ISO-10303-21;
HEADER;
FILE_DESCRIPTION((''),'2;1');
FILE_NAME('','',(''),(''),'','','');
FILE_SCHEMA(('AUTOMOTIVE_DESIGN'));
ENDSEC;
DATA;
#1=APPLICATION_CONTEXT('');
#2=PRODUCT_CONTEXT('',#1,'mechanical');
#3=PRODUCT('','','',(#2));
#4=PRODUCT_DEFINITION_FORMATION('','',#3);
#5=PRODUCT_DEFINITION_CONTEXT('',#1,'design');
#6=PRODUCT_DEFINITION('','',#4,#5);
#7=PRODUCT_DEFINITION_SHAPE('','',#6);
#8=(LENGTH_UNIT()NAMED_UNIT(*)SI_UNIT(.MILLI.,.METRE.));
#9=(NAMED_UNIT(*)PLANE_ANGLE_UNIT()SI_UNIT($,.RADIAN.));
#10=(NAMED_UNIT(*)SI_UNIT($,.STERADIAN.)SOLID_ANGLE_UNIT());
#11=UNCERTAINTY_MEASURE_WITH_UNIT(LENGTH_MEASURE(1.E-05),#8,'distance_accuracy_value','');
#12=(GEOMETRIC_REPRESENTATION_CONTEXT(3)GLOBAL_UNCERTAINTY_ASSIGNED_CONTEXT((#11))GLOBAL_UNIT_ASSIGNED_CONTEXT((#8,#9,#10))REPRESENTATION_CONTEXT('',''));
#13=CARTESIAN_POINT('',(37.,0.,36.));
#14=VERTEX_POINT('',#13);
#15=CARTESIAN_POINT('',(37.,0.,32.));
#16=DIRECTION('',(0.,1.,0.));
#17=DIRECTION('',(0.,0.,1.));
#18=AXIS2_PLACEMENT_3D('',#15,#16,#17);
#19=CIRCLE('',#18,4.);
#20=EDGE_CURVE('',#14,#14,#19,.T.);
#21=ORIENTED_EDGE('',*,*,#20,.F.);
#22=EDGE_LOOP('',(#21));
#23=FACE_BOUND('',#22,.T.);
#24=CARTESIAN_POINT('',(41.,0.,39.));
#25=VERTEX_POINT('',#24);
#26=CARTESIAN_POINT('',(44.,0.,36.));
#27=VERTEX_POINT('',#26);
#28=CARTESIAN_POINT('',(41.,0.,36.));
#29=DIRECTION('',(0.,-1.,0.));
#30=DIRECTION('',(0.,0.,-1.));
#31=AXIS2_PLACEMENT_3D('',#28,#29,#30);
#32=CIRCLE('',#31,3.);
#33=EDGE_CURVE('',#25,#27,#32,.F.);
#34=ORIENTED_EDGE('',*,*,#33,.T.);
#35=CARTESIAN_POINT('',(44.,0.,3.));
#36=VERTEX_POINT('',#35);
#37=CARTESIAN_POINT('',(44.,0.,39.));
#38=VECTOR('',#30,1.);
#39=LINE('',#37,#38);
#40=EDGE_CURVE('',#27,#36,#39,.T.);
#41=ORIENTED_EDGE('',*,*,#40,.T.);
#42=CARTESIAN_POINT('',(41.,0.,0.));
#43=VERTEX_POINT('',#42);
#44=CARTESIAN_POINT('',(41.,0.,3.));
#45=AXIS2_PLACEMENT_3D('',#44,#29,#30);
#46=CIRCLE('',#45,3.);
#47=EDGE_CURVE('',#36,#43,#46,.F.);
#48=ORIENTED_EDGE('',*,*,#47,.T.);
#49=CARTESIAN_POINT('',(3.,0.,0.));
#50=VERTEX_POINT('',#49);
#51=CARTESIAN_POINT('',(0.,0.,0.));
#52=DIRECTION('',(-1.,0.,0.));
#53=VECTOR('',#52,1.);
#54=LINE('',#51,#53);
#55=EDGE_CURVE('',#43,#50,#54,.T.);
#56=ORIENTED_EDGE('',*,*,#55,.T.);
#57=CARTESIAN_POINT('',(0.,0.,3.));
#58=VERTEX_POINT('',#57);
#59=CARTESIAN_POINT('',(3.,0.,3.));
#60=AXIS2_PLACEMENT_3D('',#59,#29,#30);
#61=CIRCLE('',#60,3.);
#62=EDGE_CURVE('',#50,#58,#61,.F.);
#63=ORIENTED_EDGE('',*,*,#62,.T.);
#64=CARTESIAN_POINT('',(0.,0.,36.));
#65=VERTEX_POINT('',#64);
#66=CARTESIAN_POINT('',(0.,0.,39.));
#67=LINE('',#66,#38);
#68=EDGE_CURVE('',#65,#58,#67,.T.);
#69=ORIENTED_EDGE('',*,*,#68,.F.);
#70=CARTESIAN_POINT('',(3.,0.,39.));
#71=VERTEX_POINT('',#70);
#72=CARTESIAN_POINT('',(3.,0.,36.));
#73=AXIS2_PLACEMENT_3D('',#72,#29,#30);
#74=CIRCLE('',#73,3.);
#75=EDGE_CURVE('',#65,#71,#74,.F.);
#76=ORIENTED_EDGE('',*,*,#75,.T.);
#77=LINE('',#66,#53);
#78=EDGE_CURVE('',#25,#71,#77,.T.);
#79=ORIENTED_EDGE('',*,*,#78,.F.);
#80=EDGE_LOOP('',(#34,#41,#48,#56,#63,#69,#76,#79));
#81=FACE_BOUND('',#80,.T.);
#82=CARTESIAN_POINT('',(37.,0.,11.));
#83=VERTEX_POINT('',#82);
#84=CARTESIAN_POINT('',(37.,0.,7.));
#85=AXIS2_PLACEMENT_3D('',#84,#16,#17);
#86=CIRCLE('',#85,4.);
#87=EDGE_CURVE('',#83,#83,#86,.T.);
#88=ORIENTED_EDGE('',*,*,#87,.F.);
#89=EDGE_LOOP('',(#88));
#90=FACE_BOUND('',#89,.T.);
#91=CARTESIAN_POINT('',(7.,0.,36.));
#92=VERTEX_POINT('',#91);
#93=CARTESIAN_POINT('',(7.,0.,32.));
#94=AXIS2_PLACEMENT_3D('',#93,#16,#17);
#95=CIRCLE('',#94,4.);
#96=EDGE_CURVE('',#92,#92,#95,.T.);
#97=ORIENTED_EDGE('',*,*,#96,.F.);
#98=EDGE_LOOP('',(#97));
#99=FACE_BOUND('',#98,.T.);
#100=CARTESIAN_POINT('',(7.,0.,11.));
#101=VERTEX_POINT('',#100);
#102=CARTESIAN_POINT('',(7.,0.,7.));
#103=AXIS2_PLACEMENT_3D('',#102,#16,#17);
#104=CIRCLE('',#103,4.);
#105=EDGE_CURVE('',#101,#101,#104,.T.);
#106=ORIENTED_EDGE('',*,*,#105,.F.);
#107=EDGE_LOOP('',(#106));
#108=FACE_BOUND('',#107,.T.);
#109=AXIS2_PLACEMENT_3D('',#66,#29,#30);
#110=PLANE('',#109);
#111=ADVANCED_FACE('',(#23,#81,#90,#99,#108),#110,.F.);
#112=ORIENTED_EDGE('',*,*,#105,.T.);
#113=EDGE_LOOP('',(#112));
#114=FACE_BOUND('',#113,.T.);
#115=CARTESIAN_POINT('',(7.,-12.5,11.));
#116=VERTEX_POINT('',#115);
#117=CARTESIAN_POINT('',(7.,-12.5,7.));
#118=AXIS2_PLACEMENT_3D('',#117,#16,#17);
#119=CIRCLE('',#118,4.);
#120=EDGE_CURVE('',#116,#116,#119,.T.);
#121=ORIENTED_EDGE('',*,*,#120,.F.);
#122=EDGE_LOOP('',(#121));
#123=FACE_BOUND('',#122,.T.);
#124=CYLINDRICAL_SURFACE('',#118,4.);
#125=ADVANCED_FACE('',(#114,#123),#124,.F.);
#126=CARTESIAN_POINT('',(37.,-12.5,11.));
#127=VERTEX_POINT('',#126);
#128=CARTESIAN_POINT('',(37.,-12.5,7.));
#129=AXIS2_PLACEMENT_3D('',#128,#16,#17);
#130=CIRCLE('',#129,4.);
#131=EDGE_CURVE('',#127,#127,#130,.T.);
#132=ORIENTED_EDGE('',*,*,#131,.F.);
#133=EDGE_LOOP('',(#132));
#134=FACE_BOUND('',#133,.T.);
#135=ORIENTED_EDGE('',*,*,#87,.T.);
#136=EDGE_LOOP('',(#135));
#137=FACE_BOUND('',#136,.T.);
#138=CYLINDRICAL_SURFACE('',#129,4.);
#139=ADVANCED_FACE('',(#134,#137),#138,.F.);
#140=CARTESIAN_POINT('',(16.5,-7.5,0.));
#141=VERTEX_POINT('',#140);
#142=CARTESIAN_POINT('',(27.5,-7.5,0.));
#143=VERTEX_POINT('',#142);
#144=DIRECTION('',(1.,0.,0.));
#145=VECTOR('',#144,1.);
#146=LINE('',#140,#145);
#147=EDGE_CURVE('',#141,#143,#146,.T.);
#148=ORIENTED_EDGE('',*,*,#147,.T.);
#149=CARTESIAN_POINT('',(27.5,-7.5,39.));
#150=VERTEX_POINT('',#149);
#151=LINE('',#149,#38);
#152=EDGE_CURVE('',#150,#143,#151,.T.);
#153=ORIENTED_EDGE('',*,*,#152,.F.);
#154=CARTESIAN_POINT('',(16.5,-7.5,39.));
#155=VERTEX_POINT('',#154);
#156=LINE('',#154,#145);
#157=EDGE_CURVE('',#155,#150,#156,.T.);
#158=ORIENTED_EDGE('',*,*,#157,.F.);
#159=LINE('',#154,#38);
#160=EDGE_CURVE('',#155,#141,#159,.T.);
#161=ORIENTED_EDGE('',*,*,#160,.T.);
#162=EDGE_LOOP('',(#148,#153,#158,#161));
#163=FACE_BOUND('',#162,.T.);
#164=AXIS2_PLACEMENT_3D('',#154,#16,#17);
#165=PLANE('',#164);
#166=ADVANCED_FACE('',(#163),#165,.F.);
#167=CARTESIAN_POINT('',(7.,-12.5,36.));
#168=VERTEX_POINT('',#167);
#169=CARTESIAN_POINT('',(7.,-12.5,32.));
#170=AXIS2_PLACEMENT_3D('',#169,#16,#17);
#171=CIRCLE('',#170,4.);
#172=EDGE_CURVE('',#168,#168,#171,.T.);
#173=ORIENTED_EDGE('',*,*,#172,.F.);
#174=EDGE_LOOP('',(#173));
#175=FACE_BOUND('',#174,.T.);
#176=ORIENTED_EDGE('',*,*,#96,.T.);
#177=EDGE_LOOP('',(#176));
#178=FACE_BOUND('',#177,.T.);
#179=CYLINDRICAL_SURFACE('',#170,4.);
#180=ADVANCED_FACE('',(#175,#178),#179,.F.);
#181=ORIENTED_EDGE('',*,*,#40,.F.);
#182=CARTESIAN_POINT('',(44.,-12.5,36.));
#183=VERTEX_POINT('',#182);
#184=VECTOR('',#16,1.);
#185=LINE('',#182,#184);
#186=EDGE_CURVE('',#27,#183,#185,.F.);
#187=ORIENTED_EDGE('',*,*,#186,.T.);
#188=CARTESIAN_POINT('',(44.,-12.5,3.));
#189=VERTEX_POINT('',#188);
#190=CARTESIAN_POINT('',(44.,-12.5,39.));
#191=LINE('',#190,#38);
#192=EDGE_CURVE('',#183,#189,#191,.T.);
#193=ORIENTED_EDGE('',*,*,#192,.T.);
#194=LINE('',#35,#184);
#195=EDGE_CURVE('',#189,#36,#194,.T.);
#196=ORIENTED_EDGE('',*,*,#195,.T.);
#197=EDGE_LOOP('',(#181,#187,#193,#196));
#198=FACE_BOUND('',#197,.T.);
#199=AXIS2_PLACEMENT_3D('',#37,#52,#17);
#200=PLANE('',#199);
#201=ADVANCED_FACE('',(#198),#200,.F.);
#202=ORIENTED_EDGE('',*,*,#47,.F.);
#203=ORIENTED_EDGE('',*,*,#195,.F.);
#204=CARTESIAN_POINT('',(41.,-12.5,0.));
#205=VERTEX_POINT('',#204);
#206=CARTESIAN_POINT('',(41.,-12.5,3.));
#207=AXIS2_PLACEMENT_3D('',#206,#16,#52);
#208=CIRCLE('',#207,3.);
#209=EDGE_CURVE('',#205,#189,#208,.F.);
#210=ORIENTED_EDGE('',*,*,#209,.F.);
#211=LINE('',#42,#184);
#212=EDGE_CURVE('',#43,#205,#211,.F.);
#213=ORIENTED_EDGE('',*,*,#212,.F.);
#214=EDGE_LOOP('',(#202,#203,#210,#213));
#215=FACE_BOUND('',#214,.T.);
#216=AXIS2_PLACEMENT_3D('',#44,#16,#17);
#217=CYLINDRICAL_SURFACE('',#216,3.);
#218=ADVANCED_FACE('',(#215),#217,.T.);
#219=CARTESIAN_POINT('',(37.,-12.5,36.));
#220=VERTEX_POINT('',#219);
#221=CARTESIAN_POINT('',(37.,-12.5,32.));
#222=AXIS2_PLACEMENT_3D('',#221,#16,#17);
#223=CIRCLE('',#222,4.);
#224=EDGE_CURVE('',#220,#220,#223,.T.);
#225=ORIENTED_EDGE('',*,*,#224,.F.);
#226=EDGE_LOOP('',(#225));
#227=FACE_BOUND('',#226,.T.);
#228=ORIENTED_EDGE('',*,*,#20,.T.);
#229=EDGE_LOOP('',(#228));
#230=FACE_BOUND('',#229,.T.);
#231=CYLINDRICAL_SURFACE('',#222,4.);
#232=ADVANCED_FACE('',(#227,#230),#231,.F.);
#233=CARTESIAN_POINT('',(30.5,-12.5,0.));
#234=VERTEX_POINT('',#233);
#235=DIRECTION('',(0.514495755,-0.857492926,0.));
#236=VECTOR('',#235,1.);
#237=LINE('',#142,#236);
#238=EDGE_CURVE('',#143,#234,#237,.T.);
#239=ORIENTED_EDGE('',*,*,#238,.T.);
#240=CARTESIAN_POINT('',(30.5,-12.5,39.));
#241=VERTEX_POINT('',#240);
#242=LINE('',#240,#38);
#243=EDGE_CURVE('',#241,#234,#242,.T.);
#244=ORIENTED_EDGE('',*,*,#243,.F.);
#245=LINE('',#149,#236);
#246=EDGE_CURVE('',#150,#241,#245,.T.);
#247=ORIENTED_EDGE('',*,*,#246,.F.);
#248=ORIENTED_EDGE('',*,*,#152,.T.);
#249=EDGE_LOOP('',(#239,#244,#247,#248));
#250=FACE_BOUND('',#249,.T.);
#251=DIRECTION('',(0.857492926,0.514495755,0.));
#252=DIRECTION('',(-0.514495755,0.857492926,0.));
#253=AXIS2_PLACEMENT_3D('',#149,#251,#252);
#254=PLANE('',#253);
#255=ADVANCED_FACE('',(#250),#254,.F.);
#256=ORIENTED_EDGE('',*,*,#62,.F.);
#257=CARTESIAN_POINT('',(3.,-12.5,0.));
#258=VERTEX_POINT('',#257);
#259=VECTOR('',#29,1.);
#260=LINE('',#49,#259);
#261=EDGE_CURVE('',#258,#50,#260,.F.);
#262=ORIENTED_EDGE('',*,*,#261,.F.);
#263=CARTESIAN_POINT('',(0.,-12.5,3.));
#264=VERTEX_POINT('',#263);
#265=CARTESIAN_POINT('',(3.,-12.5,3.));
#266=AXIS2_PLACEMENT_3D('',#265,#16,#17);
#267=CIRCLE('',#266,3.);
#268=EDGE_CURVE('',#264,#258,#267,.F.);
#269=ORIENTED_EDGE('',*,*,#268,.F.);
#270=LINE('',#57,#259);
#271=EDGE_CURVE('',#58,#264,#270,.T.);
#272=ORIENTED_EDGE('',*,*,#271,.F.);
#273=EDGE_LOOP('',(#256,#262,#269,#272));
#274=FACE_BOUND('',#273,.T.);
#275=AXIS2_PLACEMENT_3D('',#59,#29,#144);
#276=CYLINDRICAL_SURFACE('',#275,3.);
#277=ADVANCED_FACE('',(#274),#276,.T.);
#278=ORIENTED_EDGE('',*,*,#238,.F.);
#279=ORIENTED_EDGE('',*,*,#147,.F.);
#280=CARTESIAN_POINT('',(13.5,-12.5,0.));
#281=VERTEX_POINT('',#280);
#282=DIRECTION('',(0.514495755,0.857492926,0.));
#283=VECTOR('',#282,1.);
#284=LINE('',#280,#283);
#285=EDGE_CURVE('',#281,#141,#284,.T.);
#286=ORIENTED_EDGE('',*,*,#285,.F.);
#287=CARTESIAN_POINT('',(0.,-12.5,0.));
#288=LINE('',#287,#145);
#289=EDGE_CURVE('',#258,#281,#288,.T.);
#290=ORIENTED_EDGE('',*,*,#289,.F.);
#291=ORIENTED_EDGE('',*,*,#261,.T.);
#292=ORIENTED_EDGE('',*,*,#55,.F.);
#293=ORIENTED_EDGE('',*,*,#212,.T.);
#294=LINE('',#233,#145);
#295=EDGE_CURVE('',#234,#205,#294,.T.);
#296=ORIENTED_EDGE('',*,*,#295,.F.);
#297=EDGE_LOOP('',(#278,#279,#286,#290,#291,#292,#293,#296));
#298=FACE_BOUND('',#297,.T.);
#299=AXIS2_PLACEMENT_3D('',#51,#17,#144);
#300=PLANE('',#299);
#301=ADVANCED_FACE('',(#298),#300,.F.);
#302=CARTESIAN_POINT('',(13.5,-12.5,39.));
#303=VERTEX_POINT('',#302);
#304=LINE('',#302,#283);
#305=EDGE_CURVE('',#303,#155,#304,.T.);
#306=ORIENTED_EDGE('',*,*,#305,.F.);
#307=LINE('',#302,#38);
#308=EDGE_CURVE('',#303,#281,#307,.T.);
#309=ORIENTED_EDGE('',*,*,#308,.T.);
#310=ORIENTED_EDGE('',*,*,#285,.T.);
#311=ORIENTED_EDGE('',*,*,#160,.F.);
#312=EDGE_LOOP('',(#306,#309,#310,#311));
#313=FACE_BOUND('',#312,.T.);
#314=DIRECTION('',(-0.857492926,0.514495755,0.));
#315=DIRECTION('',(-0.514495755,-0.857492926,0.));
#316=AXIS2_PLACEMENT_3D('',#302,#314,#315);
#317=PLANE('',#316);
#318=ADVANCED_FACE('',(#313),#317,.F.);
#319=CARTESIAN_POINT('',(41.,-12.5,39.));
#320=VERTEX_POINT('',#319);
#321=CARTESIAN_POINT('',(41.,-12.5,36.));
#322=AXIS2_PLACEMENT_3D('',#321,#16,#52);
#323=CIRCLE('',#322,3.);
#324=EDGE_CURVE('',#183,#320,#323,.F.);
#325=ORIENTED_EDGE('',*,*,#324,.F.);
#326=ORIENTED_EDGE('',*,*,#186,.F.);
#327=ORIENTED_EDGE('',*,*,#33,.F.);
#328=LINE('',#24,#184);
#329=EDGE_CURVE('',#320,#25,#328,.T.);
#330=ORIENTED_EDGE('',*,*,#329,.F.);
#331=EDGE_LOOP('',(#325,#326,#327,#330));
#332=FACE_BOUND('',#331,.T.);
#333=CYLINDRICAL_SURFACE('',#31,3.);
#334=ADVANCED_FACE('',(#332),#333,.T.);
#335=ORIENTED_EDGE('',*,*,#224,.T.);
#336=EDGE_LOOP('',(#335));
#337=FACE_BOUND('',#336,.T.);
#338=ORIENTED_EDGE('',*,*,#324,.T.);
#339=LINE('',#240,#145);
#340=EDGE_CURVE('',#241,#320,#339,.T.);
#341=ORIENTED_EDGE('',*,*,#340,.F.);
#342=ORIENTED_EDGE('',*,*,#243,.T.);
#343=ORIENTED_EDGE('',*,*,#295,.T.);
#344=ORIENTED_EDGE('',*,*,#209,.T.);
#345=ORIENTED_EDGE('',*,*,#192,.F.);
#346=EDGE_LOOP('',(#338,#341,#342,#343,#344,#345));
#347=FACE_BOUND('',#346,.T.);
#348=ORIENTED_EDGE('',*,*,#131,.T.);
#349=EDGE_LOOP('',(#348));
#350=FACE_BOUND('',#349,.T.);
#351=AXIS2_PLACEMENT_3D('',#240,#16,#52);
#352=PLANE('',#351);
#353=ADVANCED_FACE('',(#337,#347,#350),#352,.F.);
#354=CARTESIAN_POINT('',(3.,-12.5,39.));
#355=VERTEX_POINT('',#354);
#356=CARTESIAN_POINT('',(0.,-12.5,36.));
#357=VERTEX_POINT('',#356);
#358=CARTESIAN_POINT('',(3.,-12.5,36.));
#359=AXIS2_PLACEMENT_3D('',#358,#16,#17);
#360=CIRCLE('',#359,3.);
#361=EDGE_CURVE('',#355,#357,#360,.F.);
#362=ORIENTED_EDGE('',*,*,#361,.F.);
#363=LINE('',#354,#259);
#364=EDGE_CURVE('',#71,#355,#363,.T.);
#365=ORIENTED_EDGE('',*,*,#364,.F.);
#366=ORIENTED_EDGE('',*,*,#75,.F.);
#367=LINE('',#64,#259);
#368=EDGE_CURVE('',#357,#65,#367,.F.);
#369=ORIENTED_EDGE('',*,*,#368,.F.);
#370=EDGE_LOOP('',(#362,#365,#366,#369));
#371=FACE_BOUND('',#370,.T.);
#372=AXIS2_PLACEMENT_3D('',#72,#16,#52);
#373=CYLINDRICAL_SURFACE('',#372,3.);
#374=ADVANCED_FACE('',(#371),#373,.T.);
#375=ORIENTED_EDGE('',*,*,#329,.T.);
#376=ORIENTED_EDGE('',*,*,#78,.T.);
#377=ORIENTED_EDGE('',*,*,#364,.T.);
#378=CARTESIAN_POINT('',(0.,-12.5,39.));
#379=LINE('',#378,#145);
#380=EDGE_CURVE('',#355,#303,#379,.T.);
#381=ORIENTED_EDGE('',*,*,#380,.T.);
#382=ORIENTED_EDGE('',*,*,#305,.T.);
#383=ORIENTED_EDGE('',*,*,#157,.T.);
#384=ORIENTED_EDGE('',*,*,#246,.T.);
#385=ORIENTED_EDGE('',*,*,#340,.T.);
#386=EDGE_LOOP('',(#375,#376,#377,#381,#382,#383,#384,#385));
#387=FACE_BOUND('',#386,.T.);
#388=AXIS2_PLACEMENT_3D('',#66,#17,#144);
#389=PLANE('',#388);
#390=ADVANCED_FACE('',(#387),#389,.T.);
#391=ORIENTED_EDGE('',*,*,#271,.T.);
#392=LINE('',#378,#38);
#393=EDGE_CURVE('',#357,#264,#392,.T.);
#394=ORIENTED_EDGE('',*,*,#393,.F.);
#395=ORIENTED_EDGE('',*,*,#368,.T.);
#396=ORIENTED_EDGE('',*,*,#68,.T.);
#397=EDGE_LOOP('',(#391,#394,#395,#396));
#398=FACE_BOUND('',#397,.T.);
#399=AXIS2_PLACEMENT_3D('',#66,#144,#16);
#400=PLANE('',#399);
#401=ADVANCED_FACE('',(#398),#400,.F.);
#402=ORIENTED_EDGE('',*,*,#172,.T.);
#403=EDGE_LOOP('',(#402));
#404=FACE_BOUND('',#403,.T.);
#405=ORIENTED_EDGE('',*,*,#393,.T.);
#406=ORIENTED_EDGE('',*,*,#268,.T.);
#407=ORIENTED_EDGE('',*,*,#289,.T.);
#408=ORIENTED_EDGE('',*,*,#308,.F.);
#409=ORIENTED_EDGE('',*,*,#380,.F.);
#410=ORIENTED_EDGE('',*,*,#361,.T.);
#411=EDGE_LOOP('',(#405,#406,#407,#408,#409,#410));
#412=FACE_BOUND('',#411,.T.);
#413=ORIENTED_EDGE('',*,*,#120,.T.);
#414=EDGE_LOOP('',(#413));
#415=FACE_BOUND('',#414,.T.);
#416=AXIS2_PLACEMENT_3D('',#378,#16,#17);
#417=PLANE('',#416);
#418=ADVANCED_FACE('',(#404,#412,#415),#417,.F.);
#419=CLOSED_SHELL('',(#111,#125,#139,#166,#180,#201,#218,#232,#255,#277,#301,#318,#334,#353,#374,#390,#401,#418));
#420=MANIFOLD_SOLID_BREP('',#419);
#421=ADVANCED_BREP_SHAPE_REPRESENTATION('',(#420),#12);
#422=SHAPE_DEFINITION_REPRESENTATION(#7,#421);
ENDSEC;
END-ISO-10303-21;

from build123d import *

# Parameters (mm, degrees)
BOSS_EXTRUDE1_DEPTH = 39
SKETCH2_R           = 4
CUT_EXTRUDE1_DEPTH  = 13.5
FILLET1_R           = 3


with BuildPart() as part:
    # Sketch1 → Boss-Extrude1 (new body)
    with BuildSketch(Plane.XY):
        Polygon((13.5, -12.5), (16.5, -7.5), (27.5, -7.5), (30.5, -12.5), (44, -12.5), (44, 0), (0, 0), (0, -12.5), align=None)
    extrude(amount=BOSS_EXTRUDE1_DEPTH)

    # Sketch2 → Cut-Extrude1 (cut, through all)
    with BuildSketch(Plane(origin=(0, 0, 0), x_dir=(1, 0, 0), z_dir=(0, 1, 0))):
        with Locations((7, -7)):
            Circle(SKETCH2_R)
        with Locations((37, -7)):
            Circle(SKETCH2_R)
        with Locations((37, -32)):
            Circle(SKETCH2_R)
        with Locations((7, -32)):
            Circle(SKETCH2_R)
    extrude(amount=-CUT_EXTRUDE1_DEPTH, mode=Mode.SUBTRACT)

    # Fillet1
    fillet1_edges = [part.edges().sort_by_distance(p)[0] for p in [
        (0, -6.25, 0),
        (44, -6.25, 39),
        (0, -6.25, 39),
        (44, -6.25, 0),
    ]]
    fillet(fillet1_edges, radius=FILLET1_R)


solid = part.part
